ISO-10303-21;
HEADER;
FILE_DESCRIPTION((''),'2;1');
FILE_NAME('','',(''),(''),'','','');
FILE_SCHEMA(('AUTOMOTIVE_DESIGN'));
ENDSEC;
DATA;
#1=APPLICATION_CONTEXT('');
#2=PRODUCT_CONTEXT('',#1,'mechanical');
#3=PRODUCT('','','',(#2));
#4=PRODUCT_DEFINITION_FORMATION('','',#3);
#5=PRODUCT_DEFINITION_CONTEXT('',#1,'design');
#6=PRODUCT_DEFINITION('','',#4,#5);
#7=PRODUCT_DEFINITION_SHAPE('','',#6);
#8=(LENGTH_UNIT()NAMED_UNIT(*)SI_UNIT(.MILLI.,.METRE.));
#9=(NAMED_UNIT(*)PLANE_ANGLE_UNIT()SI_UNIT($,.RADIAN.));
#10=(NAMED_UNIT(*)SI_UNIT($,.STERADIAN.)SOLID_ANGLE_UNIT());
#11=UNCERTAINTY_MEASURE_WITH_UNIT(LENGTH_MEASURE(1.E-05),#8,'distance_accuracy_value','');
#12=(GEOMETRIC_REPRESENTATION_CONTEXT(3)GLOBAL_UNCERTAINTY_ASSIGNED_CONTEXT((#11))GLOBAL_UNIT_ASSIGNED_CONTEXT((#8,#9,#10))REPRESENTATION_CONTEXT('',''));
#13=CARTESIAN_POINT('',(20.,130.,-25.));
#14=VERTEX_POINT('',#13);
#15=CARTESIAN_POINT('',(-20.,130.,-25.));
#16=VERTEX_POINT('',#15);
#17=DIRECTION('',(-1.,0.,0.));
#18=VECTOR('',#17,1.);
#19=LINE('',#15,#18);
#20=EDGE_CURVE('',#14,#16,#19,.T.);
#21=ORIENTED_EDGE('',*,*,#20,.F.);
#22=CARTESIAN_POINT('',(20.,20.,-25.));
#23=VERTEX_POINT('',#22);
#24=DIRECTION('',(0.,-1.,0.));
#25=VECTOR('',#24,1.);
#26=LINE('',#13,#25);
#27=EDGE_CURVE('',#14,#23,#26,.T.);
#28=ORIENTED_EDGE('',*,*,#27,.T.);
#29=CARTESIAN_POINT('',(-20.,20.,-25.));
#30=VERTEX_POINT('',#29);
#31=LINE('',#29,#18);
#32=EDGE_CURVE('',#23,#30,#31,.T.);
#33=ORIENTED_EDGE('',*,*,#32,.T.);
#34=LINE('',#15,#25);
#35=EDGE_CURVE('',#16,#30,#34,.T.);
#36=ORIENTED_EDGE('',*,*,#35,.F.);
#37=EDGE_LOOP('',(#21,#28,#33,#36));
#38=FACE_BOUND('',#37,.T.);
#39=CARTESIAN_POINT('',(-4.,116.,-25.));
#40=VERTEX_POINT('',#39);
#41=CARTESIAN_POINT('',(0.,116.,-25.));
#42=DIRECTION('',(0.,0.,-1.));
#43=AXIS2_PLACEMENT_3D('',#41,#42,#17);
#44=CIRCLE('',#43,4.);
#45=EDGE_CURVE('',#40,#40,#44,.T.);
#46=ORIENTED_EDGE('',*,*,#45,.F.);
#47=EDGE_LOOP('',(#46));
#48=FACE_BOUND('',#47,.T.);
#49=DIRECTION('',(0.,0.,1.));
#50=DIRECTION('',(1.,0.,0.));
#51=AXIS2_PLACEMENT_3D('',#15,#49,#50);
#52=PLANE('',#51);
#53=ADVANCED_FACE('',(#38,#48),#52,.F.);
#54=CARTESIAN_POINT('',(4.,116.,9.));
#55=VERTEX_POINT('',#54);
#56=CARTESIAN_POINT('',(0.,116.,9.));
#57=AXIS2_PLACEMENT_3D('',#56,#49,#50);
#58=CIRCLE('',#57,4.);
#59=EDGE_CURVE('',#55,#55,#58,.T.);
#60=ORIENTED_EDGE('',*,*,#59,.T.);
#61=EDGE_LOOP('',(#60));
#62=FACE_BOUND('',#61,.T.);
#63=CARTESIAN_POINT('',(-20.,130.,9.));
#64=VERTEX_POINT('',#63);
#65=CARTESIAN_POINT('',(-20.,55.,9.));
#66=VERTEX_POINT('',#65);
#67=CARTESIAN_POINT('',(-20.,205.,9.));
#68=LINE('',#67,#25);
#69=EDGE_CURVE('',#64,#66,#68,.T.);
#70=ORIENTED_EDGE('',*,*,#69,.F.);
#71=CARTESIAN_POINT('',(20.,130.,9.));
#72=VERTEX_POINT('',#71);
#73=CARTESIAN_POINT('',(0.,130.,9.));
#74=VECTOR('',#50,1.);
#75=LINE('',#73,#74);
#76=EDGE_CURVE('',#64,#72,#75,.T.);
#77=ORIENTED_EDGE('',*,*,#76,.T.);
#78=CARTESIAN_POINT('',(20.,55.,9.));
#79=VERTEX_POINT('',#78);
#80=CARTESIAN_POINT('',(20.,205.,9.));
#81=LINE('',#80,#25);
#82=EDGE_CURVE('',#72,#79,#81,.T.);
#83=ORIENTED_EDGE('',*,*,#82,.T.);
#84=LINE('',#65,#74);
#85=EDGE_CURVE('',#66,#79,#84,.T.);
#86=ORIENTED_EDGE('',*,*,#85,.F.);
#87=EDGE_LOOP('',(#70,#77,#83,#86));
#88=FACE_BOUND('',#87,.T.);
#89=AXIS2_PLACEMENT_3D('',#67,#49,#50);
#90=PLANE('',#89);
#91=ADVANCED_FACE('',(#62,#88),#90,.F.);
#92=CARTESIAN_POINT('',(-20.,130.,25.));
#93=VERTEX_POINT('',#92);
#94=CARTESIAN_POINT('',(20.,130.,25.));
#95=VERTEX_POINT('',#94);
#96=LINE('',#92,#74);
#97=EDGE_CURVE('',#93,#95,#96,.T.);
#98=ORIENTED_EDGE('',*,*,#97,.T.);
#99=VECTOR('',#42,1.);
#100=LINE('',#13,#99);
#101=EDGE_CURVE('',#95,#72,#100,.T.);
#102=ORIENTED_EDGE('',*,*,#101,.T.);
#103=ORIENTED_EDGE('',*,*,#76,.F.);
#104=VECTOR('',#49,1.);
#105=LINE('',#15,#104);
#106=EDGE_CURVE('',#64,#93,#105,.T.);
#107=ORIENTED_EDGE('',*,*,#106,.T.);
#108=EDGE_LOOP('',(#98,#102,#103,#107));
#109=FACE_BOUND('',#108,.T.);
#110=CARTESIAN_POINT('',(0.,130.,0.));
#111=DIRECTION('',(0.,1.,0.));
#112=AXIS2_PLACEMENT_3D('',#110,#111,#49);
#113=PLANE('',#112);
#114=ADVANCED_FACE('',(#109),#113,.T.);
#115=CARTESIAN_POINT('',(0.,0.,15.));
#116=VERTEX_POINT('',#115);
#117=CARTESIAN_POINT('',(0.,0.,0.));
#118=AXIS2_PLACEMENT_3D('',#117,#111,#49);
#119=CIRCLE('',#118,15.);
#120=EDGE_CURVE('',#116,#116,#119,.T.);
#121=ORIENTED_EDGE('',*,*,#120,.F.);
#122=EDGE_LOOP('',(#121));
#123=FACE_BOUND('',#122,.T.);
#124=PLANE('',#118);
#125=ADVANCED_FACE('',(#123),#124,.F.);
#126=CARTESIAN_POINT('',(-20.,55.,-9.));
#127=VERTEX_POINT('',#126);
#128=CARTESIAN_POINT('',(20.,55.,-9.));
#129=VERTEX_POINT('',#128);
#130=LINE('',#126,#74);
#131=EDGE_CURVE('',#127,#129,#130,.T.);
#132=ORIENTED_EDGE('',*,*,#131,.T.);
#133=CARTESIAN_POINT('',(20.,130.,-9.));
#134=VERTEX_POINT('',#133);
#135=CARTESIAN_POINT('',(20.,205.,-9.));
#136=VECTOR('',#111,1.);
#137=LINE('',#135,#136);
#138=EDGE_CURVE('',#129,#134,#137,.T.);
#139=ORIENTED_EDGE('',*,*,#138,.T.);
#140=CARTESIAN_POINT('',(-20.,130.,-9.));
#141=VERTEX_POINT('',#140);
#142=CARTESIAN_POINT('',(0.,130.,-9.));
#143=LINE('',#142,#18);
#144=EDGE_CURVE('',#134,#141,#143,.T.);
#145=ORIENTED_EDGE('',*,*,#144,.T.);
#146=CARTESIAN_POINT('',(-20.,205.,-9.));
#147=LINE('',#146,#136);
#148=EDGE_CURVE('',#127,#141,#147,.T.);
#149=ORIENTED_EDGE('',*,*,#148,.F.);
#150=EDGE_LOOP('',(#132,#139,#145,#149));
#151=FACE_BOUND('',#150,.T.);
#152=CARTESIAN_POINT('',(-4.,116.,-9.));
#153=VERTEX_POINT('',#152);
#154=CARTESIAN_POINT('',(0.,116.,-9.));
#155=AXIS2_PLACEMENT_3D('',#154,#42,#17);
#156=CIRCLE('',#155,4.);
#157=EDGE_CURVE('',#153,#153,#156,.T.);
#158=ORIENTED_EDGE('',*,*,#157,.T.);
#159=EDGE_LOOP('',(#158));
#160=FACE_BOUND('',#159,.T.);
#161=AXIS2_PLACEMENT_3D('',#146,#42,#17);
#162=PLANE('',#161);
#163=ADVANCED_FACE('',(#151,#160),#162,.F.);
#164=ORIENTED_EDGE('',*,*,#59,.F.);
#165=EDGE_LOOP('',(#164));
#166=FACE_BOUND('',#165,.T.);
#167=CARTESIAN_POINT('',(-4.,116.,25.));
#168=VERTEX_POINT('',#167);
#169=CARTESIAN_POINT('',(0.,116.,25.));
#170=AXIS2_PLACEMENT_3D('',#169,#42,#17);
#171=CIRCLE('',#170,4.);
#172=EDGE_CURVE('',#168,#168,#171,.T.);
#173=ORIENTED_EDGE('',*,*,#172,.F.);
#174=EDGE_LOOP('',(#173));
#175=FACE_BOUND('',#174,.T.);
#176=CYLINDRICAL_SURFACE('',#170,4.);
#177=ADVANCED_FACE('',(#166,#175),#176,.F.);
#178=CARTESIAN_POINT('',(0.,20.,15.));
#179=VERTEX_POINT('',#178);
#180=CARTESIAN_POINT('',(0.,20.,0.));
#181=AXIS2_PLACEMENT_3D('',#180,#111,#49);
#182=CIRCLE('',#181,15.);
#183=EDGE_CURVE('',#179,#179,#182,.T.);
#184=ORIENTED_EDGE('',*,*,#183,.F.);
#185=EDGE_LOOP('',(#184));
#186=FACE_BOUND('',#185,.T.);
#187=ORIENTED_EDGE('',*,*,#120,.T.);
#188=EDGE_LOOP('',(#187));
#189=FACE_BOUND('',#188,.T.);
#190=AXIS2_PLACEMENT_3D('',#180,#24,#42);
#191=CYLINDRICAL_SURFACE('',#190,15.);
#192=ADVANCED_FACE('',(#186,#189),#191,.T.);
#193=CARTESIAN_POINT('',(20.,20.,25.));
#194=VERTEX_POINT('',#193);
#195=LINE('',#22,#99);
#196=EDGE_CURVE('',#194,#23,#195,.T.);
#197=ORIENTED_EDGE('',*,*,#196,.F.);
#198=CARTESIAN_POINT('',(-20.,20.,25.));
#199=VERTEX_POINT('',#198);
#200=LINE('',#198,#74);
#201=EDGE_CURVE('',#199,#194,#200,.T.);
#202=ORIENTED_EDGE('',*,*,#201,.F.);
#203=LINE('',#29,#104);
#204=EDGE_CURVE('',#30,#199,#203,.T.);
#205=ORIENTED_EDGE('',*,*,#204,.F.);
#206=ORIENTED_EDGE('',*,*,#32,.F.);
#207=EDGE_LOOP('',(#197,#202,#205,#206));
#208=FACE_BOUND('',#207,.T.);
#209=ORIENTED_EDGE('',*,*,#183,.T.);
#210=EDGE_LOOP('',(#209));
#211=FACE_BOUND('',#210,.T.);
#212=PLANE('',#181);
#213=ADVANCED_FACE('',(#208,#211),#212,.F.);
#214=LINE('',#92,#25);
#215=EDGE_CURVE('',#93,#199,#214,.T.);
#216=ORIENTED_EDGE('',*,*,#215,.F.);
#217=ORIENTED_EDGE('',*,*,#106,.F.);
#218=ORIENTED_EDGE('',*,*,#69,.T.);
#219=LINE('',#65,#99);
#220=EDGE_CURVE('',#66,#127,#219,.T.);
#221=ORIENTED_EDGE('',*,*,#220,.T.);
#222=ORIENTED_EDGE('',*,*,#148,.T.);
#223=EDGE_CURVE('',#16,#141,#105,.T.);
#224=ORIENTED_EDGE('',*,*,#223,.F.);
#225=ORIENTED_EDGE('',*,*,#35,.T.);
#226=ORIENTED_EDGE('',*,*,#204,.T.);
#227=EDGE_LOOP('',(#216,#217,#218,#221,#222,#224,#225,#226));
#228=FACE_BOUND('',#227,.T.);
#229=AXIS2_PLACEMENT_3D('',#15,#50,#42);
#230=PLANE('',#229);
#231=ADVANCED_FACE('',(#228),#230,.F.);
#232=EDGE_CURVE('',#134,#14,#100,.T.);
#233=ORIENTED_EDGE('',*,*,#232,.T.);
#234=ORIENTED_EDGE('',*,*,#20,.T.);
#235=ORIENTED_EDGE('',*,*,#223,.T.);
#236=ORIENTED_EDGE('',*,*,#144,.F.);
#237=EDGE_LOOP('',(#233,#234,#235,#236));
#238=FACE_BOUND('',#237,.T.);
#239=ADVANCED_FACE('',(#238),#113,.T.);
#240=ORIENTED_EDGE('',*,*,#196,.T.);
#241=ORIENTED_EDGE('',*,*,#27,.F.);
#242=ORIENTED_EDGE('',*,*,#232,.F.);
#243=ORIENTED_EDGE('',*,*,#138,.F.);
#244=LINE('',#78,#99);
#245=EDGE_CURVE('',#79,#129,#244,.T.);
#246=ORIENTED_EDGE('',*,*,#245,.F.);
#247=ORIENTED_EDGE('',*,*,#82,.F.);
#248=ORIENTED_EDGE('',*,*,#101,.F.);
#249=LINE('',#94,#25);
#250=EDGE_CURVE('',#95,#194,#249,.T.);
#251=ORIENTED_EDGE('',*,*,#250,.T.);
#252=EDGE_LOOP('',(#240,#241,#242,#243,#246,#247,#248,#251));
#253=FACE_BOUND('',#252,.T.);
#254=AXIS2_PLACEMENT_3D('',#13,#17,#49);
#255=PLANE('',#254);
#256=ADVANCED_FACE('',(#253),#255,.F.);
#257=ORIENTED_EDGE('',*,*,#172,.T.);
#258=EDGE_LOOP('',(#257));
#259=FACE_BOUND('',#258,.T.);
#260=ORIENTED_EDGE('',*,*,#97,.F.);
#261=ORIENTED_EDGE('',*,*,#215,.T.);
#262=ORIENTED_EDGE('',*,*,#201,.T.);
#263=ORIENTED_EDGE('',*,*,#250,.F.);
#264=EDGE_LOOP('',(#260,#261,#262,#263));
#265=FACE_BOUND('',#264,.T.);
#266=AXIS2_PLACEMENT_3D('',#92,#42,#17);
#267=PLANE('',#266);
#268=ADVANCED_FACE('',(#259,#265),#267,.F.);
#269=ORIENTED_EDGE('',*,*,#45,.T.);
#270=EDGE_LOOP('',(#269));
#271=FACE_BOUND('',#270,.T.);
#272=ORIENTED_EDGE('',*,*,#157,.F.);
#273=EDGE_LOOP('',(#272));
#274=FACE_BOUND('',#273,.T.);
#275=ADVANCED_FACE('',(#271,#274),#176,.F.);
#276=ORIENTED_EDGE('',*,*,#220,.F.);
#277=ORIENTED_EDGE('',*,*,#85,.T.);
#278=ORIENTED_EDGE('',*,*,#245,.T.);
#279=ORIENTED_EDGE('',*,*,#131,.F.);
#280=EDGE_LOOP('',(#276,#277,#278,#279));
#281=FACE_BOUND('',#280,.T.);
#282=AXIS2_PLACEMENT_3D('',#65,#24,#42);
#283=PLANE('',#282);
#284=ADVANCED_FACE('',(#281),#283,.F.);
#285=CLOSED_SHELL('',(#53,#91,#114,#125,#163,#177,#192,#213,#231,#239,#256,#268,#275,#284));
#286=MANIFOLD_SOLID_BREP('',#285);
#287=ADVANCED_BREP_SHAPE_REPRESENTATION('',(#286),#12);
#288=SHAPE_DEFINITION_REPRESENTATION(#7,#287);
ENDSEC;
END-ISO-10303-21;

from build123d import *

# Parameters (mm, degrees)
SKETCH1_R           = 15
BOSS_EXTRUDE1_DEPTH = 20
SKETCH2_W           = 40
SKETCH2_H           = 50
BOSS_EXTRUDE2_DEPTH = 110
SKETCH3_W           = 18
SKETCH3_H           = 150
CUT_EXTRUDE1_DEPTH  = 139.293166859
SKETCH4_R           = 4
CUT_EXTRUDE2_DEPTH  = 141.712472795


with BuildPart() as part:
    # Sketch1 → Boss-Extrude1 (new body)
    with BuildSketch(Plane(origin=(0, 0, 0), x_dir=(1, 0, 0), z_dir=(0, 1, 0))):
        with Locations(Location((0, 0, 0), (0, 0, 270))):
            Circle(SKETCH1_R)
    extrude(amount=BOSS_EXTRUDE1_DEPTH)

    # Sketch2 → Boss-Extrude2 (add)
    with BuildSketch(Plane(origin=(0, 20, 0), x_dir=(1, 0, 0), z_dir=(0, 1, 0))):
        Rectangle(SKETCH2_W, SKETCH2_H)
    extrude(amount=BOSS_EXTRUDE2_DEPTH)

    # Sketch3 → Cut-Extrude1 (cut, through all)
    with BuildSketch(Plane(origin=(20, 0, 0), x_dir=(0, 0, -1), z_dir=(1, 0, 0))):
        with Locations((0, 130)):
            Rectangle(SKETCH3_W, SKETCH3_H)
    extrude(amount=-CUT_EXTRUDE1_DEPTH, mode=Mode.SUBTRACT)

    # Sketch4 → Cut-Extrude2 (cut, through all)
    with BuildSketch(Plane(origin=(0, 0, -25), x_dir=(-1, 0, 0), z_dir=(0, 0, -1))):
        with Locations((0, 116)):
            Circle(SKETCH4_R)
    extrude(amount=-CUT_EXTRUDE2_DEPTH, mode=Mode.SUBTRACT)


solid = part.part
